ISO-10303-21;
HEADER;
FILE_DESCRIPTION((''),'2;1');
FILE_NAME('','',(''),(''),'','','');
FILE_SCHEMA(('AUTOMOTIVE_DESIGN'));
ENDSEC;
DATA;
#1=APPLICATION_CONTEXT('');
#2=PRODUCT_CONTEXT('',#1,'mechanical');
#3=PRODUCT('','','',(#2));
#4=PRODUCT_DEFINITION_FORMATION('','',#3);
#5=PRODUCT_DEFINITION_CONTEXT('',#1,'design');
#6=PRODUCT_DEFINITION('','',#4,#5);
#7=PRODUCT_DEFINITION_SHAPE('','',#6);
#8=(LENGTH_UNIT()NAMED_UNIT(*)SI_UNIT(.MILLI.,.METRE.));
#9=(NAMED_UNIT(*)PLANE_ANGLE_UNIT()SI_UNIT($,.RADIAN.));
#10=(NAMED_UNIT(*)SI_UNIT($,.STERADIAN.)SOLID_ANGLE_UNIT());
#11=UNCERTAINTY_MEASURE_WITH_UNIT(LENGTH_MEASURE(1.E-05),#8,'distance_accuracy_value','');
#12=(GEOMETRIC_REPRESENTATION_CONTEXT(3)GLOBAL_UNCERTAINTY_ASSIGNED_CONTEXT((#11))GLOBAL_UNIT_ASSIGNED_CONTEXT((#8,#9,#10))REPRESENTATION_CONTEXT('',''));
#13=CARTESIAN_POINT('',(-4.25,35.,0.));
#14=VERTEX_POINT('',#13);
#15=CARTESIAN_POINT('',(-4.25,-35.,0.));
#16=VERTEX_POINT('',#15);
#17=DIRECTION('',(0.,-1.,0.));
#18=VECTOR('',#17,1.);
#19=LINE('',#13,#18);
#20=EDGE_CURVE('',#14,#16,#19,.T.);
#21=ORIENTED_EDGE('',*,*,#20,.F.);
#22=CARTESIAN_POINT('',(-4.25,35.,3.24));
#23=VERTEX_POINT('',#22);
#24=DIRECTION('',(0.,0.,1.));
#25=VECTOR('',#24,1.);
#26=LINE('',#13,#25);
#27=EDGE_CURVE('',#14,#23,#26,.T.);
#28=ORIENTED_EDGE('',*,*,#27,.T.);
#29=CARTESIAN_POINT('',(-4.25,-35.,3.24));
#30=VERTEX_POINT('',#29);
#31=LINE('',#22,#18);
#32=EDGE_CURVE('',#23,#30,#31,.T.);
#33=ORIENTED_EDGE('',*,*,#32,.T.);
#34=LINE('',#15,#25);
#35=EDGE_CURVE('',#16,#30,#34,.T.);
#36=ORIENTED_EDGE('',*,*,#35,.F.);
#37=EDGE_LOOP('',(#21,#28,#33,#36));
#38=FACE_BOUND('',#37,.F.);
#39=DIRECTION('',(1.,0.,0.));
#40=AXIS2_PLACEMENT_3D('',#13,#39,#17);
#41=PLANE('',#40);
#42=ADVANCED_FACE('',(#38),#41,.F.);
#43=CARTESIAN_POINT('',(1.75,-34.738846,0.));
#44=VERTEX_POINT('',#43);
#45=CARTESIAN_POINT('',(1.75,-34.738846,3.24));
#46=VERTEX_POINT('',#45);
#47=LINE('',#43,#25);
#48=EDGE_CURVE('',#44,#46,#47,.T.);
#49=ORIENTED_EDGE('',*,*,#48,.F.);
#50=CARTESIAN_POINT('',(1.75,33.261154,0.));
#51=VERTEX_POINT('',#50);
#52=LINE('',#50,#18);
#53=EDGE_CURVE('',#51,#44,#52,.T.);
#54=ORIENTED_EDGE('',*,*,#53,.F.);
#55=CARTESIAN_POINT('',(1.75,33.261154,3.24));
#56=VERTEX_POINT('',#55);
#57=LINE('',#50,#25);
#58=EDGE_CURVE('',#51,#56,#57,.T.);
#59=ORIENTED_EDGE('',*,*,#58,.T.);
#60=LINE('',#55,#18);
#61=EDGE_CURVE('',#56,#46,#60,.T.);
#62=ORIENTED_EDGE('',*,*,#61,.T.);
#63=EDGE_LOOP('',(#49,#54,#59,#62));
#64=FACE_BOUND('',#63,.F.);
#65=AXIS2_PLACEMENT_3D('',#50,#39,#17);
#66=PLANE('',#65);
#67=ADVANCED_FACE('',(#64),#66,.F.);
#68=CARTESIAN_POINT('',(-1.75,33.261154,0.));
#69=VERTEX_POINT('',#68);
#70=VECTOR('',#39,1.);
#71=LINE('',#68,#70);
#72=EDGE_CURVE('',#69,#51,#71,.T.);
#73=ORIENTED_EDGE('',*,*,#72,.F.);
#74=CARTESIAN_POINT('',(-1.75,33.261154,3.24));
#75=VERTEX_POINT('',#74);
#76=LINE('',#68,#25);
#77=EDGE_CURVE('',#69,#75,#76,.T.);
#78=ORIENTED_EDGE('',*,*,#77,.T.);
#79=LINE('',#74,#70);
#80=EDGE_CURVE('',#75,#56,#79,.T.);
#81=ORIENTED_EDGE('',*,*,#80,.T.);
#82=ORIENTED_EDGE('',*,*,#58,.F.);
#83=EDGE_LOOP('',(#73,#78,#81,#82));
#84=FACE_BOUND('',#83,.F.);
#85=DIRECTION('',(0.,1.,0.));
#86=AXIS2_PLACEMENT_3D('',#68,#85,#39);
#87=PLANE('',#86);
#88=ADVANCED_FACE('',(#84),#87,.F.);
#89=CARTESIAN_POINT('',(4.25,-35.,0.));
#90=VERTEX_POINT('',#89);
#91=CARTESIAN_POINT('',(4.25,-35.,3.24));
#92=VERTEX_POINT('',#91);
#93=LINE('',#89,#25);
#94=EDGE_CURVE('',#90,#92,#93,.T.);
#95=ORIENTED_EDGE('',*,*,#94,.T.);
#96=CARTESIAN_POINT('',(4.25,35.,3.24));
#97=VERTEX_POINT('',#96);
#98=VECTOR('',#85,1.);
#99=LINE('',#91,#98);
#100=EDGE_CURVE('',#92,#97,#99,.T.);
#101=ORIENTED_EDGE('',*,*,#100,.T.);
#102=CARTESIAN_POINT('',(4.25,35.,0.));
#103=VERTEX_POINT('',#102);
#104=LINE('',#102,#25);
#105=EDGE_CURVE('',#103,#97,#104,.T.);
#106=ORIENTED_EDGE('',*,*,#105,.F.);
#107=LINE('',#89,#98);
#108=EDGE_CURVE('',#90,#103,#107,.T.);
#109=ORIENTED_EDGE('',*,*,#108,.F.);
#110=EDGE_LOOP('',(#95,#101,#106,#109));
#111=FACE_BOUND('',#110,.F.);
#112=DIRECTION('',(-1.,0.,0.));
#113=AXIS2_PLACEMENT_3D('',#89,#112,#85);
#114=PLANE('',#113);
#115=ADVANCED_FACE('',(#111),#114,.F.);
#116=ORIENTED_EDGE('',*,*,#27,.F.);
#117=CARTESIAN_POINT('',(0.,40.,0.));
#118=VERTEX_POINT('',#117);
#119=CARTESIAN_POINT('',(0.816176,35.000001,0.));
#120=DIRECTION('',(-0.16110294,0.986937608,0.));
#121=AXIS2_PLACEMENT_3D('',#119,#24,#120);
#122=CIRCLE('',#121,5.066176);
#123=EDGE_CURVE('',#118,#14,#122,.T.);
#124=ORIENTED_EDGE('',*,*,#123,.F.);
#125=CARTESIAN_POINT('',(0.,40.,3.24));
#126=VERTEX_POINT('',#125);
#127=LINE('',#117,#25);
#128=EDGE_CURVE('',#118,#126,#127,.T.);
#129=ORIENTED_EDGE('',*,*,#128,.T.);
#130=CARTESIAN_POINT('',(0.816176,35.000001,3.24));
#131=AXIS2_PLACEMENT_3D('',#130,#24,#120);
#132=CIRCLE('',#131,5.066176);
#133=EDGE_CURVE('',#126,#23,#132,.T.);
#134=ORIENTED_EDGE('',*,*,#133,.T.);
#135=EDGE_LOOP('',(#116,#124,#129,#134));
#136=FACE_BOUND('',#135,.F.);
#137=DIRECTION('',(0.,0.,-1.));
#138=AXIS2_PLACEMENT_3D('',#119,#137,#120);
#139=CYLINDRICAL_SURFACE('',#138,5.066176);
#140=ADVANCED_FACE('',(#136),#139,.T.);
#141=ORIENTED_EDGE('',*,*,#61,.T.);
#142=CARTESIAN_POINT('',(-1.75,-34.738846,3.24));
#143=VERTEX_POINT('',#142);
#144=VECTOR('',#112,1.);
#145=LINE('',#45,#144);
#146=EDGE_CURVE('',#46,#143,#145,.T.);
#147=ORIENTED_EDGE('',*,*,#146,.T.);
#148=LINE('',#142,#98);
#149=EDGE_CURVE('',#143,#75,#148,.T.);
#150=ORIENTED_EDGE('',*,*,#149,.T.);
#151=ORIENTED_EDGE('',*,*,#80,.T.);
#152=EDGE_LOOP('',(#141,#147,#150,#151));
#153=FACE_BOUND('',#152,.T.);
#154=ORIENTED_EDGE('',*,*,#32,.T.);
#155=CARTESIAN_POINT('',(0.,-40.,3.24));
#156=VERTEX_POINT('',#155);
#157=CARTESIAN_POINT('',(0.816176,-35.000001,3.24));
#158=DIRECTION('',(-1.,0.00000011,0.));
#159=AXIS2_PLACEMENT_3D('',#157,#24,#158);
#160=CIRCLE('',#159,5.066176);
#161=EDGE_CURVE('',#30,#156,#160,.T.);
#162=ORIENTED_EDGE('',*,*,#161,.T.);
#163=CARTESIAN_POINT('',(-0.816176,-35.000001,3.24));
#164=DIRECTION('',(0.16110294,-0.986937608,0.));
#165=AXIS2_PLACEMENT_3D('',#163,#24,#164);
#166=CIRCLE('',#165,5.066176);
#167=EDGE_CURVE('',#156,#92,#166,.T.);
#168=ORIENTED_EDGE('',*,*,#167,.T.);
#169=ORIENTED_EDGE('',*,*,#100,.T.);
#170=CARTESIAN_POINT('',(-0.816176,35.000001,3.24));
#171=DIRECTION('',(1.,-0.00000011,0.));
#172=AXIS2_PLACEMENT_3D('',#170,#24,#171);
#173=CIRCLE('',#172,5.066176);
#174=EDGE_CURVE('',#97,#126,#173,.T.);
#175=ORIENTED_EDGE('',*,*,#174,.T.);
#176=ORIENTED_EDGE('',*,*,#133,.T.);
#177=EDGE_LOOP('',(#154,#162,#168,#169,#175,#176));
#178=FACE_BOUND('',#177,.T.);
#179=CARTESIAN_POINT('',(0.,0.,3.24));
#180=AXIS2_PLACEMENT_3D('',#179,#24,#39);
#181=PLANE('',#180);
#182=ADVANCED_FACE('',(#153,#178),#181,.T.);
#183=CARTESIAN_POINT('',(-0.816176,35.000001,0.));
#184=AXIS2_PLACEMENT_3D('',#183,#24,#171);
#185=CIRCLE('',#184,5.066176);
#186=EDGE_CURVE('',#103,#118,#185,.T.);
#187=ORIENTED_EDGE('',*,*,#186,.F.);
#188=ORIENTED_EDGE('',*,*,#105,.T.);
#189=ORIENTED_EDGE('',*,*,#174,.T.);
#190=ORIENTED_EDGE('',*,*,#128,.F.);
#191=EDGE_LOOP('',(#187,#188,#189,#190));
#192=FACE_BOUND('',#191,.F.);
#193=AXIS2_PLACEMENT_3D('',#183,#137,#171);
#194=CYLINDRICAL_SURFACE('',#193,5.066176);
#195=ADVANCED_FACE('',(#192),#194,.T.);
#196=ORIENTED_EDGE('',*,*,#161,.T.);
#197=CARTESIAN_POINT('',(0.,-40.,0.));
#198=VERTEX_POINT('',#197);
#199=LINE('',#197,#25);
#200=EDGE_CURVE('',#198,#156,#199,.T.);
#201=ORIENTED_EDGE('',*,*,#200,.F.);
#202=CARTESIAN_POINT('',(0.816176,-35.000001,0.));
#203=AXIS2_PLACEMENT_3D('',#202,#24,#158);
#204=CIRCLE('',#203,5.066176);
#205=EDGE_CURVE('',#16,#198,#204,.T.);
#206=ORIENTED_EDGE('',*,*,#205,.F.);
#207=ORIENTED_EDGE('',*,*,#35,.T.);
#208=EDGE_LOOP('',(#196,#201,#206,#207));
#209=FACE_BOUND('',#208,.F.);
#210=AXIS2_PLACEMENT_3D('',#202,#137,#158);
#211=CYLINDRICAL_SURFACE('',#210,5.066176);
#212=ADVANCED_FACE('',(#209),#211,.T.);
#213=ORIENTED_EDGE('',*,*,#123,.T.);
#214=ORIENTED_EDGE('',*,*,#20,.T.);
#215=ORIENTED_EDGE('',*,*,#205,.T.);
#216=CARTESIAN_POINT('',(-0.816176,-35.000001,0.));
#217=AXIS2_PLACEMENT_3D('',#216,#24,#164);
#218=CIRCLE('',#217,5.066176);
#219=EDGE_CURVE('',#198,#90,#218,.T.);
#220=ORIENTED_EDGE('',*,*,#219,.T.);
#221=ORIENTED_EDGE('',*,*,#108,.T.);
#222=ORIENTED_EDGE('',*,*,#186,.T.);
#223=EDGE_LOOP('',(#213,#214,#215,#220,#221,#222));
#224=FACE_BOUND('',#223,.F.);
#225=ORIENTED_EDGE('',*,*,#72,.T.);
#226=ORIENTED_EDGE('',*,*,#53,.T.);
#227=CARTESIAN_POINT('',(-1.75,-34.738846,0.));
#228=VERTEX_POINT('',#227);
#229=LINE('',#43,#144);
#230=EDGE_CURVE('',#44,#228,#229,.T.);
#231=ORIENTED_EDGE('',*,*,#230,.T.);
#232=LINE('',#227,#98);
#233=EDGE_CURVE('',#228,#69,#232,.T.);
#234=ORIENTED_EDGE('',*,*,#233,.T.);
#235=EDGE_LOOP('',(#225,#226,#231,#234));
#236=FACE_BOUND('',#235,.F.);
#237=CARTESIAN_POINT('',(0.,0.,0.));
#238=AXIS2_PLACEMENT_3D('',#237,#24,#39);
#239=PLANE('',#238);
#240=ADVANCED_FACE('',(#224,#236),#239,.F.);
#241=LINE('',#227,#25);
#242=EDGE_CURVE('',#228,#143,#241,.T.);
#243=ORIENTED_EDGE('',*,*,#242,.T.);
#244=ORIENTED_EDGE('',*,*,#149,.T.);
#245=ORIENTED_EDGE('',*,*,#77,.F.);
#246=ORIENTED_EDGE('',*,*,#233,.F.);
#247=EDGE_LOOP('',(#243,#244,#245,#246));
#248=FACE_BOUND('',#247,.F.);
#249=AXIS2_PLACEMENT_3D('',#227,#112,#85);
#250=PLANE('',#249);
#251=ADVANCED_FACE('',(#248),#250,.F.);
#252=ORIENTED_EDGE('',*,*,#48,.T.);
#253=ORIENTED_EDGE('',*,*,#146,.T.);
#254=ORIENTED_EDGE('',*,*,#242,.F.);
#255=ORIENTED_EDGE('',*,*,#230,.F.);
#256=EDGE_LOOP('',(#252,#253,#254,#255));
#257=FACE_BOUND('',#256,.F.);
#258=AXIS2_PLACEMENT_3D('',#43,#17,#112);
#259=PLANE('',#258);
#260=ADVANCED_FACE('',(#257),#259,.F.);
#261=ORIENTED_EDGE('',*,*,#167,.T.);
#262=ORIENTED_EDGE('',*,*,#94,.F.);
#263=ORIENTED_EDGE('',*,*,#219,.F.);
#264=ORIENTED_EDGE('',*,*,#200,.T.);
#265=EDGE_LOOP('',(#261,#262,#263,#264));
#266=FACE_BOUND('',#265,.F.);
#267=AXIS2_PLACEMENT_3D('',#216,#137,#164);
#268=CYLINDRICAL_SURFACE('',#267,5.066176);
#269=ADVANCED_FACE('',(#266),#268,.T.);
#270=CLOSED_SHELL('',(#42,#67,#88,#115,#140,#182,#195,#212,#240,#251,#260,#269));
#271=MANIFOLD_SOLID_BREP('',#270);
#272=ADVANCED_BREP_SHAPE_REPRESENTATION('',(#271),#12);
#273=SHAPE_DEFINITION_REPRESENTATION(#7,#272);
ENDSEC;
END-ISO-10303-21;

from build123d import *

# Parameters (mm, degrees)
F1_DEPTH = 3.24


with BuildPart() as f1:
    # F0 (on Top) → F1 (new body)
    with BuildSketch(Plane.XY):
        Polygon((4.25, -35), (4.25, 35), (-4.25, 35), (-4.25, -35), (0, -35), align=None)
        Polygon((1.75, -34.738846), (0, -34.738846), (-1.75, -34.738846), (-1.75, 33.261154), (0, 33.261154), (1.75, 33.261154), align=None, mode=Mode.SUBTRACT)
        with BuildLine():
            Line((-4.25, 35), (4.25, 35))
            ThreePointArc((4.25, 35), (3.043943, 38.281101), (0, 40))
            ThreePointArc((0, 40), (-3.043943, 38.281101), (-4.25, 35))
        make_face()
        with BuildLine():
            ThreePointArc((0, -40), (3.043943, -38.281101), (4.25, -35))
            Line((4.25, -35), (0, -35))
            Line((0, -35), (-4.25, -35))
            ThreePointArc((-4.25, -35), (-3.043943, -38.281101), (0, -40))
        make_face()
    extrude(amount=F1_DEPTH)


solid = f1.part
